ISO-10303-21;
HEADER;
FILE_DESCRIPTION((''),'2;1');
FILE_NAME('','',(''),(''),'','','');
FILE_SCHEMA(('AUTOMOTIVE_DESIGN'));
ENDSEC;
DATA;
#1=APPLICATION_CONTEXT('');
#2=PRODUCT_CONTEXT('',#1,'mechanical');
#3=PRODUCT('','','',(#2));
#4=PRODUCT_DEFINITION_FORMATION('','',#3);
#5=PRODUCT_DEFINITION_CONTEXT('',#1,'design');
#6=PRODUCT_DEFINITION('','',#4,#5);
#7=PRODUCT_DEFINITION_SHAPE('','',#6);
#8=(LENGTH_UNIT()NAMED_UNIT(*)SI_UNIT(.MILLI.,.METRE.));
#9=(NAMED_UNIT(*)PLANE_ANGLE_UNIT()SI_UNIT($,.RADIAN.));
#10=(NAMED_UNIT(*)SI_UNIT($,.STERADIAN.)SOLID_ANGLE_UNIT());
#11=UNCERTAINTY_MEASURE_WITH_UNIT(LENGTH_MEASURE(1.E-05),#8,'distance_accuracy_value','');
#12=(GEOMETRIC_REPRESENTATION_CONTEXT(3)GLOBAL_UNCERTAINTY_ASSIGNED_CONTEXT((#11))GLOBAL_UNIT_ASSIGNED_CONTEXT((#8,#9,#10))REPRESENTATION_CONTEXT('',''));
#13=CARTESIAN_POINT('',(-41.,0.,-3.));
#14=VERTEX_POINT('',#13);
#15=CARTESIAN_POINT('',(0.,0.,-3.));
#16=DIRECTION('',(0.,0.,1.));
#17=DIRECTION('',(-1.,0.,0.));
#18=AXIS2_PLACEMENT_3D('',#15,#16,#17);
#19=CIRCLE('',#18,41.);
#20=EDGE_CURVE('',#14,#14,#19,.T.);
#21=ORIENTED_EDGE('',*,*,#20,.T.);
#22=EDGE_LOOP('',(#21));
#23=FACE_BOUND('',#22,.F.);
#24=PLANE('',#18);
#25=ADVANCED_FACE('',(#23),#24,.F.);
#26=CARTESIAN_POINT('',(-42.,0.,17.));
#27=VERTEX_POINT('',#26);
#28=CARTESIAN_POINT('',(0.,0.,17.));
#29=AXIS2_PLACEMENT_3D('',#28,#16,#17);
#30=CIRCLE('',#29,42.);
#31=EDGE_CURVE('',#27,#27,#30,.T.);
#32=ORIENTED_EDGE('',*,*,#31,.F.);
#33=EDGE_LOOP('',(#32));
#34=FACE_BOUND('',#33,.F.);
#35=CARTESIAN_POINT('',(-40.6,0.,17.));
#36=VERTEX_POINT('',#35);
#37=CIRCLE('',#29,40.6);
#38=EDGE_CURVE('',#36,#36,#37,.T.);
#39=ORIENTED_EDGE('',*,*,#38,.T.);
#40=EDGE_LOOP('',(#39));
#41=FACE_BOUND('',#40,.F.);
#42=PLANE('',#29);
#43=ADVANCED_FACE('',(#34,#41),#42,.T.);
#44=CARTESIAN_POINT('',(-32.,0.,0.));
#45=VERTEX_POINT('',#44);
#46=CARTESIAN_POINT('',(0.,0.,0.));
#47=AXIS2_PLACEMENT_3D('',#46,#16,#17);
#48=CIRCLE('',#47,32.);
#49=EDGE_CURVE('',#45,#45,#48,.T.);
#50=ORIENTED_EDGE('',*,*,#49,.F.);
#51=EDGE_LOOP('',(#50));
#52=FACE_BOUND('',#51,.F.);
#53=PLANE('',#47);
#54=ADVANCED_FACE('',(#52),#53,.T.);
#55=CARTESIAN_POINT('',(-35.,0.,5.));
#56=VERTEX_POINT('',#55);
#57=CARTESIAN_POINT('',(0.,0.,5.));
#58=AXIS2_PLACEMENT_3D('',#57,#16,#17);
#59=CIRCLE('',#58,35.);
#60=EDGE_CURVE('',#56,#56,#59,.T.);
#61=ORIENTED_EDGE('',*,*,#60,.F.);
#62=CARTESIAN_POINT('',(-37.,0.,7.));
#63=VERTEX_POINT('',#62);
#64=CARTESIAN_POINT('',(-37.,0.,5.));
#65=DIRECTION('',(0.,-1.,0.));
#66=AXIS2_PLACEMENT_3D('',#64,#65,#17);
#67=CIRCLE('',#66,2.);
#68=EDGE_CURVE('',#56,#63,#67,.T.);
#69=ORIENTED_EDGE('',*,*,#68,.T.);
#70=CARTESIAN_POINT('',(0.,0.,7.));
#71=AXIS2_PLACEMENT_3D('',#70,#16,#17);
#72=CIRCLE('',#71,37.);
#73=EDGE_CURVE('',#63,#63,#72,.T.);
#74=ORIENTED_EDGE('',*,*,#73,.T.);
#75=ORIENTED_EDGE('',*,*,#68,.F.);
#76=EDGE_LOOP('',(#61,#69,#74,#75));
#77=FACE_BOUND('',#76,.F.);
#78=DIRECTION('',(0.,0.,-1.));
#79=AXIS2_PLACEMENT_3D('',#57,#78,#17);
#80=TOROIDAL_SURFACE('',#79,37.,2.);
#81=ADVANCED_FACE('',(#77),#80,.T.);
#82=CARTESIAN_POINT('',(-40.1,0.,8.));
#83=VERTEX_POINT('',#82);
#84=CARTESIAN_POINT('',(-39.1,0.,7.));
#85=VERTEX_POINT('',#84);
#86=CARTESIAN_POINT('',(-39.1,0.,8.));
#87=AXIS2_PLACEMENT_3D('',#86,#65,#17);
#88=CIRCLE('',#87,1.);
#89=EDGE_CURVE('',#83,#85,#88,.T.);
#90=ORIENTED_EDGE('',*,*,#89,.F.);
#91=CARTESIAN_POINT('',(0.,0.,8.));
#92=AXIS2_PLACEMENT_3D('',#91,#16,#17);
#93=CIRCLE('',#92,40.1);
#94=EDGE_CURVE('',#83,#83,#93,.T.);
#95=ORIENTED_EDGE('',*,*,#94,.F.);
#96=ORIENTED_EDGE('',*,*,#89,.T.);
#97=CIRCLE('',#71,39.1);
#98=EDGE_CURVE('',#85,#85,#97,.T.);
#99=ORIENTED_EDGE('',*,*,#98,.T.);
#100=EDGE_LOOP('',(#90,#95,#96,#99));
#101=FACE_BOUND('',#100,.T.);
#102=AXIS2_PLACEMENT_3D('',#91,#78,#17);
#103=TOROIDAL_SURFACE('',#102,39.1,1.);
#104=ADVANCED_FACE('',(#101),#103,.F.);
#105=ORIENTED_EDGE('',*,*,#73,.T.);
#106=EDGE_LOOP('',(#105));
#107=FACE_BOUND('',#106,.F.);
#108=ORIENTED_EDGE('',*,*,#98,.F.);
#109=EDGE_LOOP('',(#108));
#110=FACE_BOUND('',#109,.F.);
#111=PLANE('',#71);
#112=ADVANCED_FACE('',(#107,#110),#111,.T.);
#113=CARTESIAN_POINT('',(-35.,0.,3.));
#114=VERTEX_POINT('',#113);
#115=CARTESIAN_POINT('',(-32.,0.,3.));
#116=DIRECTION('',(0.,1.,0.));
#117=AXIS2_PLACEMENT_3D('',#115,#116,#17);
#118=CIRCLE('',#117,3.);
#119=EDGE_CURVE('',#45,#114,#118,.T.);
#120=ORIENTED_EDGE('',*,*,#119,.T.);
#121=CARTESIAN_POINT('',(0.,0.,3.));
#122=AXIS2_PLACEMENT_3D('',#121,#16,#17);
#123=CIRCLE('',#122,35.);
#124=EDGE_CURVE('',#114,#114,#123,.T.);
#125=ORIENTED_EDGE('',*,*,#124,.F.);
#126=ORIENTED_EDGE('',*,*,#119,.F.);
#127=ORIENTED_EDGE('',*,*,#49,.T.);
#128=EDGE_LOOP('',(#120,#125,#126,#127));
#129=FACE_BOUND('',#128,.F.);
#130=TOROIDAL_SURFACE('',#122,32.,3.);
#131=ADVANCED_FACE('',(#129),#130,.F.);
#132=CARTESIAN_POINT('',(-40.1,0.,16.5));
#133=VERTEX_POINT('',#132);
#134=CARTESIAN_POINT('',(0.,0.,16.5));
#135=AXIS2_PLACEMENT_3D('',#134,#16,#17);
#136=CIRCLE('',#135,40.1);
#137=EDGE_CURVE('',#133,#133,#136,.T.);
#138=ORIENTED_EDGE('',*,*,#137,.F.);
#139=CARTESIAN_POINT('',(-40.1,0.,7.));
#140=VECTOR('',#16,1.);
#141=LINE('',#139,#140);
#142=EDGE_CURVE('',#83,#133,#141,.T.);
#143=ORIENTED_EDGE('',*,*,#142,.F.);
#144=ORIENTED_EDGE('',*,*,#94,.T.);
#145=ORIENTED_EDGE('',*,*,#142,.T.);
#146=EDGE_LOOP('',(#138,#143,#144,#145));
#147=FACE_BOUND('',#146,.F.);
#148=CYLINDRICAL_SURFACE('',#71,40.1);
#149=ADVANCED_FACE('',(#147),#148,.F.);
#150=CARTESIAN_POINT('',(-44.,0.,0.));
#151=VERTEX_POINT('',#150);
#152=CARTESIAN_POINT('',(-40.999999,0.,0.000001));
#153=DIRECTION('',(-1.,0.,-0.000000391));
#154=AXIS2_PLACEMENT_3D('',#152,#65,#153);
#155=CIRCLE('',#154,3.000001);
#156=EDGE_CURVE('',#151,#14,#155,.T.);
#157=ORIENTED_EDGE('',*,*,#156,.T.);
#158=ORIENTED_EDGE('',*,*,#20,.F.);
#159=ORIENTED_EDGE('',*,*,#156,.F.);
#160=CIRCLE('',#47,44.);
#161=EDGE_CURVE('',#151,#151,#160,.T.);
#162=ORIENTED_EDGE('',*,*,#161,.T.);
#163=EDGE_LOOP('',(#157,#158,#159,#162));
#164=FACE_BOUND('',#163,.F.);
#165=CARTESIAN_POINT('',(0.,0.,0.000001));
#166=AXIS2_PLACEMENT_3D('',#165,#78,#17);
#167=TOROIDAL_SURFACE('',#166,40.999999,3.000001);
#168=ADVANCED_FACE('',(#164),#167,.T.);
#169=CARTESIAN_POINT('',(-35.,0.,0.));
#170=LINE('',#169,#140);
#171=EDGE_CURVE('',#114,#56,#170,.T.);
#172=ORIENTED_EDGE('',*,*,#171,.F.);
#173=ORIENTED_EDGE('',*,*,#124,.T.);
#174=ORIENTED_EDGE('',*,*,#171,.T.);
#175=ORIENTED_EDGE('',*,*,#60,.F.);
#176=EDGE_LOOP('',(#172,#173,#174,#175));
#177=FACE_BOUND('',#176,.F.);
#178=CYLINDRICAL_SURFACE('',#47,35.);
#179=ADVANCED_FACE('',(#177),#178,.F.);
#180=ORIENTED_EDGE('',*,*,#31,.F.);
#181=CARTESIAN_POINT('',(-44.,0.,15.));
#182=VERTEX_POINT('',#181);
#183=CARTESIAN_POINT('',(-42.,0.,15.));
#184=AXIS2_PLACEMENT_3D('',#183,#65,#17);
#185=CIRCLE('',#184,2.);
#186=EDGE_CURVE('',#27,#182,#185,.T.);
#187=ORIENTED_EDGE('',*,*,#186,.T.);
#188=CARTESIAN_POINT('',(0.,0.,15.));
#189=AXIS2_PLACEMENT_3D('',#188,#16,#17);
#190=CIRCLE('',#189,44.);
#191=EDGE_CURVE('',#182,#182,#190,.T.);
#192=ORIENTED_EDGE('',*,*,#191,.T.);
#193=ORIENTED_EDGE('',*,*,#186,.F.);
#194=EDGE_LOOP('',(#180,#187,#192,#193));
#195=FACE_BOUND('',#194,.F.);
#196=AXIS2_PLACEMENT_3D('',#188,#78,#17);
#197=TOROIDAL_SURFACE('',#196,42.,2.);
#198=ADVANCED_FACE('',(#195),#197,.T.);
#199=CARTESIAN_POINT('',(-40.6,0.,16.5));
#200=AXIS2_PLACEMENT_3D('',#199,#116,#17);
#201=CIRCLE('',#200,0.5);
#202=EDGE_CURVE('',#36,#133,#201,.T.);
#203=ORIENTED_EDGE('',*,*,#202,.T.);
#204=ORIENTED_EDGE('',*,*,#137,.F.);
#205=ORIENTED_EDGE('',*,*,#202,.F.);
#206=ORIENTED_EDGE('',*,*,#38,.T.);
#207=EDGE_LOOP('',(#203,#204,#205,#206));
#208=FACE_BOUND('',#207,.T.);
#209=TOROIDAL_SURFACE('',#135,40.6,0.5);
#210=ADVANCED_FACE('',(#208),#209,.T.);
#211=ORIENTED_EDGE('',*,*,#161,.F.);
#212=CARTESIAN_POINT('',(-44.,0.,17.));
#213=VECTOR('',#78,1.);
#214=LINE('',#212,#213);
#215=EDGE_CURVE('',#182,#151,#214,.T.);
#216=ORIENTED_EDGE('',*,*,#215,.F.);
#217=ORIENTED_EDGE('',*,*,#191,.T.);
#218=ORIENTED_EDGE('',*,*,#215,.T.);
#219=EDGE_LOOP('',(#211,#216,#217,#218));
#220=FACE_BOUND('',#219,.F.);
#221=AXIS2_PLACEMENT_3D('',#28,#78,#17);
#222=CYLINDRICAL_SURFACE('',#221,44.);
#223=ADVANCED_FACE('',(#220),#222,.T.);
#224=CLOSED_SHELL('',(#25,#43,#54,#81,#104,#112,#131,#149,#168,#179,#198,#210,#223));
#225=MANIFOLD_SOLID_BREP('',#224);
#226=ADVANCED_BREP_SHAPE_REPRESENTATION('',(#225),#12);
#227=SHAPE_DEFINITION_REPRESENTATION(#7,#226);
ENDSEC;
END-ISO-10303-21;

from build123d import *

# Parameters (mm, degrees)
F2_R = 3
F3_R = 2
F4_R = 2
F5_R = 0.5
F6_R = 1


with BuildPart() as f1:
    # F0 (on Front) → F1 (revolve)
    with BuildSketch(Plane.XZ):
        with BuildLine():
            Line((0, -3), (0, 0))
            Line((0, 0), (-35, 0))
            Line((-35, 0), (-35, 7))
            Line((-35, 7), (-40.1, 7))
            Line((-40.1, 7), (-40.1, 17))
            Line((-40.1, 17), (-44, 17))
            Line((-44, 17), (-44, 0))
            ThreePointArc((-44, 0), (-43.12132, -2.12132), (-41, -3))
            Line((-41, -3), (0, -3))
        make_face()
    revolve(axis=Axis((0, 0, -1.5), (0, 0, 1)))

    # F2
    f2_edges = [f1.edges().sort_by_distance(p)[0] for p in [
        (35, 0, 0),
    ]]
    fillet(f2_edges, radius=F2_R)

    # F3
    f3_edges = [f1.edges().sort_by_distance(p)[0] for p in [
        (35, 0, 7),
    ]]
    fillet(f3_edges, radius=F3_R)

    # F4
    f4_edges = [f1.edges().sort_by_distance(p)[0] for p in [
        (44, 0, 17),
    ]]
    fillet(f4_edges, radius=F4_R)

    # F5
    f5_edges = [f1.edges().sort_by_distance(p)[0] for p in [
        (40.1, 0, 17),
    ]]
    fillet(f5_edges, radius=F5_R)

    # F6
    f6_edges = [f1.edges().sort_by_distance(p)[0] for p in [
        (40.1, 0, 7),
    ]]
    fillet(f6_edges, radius=F6_R)


solid = f1.part
